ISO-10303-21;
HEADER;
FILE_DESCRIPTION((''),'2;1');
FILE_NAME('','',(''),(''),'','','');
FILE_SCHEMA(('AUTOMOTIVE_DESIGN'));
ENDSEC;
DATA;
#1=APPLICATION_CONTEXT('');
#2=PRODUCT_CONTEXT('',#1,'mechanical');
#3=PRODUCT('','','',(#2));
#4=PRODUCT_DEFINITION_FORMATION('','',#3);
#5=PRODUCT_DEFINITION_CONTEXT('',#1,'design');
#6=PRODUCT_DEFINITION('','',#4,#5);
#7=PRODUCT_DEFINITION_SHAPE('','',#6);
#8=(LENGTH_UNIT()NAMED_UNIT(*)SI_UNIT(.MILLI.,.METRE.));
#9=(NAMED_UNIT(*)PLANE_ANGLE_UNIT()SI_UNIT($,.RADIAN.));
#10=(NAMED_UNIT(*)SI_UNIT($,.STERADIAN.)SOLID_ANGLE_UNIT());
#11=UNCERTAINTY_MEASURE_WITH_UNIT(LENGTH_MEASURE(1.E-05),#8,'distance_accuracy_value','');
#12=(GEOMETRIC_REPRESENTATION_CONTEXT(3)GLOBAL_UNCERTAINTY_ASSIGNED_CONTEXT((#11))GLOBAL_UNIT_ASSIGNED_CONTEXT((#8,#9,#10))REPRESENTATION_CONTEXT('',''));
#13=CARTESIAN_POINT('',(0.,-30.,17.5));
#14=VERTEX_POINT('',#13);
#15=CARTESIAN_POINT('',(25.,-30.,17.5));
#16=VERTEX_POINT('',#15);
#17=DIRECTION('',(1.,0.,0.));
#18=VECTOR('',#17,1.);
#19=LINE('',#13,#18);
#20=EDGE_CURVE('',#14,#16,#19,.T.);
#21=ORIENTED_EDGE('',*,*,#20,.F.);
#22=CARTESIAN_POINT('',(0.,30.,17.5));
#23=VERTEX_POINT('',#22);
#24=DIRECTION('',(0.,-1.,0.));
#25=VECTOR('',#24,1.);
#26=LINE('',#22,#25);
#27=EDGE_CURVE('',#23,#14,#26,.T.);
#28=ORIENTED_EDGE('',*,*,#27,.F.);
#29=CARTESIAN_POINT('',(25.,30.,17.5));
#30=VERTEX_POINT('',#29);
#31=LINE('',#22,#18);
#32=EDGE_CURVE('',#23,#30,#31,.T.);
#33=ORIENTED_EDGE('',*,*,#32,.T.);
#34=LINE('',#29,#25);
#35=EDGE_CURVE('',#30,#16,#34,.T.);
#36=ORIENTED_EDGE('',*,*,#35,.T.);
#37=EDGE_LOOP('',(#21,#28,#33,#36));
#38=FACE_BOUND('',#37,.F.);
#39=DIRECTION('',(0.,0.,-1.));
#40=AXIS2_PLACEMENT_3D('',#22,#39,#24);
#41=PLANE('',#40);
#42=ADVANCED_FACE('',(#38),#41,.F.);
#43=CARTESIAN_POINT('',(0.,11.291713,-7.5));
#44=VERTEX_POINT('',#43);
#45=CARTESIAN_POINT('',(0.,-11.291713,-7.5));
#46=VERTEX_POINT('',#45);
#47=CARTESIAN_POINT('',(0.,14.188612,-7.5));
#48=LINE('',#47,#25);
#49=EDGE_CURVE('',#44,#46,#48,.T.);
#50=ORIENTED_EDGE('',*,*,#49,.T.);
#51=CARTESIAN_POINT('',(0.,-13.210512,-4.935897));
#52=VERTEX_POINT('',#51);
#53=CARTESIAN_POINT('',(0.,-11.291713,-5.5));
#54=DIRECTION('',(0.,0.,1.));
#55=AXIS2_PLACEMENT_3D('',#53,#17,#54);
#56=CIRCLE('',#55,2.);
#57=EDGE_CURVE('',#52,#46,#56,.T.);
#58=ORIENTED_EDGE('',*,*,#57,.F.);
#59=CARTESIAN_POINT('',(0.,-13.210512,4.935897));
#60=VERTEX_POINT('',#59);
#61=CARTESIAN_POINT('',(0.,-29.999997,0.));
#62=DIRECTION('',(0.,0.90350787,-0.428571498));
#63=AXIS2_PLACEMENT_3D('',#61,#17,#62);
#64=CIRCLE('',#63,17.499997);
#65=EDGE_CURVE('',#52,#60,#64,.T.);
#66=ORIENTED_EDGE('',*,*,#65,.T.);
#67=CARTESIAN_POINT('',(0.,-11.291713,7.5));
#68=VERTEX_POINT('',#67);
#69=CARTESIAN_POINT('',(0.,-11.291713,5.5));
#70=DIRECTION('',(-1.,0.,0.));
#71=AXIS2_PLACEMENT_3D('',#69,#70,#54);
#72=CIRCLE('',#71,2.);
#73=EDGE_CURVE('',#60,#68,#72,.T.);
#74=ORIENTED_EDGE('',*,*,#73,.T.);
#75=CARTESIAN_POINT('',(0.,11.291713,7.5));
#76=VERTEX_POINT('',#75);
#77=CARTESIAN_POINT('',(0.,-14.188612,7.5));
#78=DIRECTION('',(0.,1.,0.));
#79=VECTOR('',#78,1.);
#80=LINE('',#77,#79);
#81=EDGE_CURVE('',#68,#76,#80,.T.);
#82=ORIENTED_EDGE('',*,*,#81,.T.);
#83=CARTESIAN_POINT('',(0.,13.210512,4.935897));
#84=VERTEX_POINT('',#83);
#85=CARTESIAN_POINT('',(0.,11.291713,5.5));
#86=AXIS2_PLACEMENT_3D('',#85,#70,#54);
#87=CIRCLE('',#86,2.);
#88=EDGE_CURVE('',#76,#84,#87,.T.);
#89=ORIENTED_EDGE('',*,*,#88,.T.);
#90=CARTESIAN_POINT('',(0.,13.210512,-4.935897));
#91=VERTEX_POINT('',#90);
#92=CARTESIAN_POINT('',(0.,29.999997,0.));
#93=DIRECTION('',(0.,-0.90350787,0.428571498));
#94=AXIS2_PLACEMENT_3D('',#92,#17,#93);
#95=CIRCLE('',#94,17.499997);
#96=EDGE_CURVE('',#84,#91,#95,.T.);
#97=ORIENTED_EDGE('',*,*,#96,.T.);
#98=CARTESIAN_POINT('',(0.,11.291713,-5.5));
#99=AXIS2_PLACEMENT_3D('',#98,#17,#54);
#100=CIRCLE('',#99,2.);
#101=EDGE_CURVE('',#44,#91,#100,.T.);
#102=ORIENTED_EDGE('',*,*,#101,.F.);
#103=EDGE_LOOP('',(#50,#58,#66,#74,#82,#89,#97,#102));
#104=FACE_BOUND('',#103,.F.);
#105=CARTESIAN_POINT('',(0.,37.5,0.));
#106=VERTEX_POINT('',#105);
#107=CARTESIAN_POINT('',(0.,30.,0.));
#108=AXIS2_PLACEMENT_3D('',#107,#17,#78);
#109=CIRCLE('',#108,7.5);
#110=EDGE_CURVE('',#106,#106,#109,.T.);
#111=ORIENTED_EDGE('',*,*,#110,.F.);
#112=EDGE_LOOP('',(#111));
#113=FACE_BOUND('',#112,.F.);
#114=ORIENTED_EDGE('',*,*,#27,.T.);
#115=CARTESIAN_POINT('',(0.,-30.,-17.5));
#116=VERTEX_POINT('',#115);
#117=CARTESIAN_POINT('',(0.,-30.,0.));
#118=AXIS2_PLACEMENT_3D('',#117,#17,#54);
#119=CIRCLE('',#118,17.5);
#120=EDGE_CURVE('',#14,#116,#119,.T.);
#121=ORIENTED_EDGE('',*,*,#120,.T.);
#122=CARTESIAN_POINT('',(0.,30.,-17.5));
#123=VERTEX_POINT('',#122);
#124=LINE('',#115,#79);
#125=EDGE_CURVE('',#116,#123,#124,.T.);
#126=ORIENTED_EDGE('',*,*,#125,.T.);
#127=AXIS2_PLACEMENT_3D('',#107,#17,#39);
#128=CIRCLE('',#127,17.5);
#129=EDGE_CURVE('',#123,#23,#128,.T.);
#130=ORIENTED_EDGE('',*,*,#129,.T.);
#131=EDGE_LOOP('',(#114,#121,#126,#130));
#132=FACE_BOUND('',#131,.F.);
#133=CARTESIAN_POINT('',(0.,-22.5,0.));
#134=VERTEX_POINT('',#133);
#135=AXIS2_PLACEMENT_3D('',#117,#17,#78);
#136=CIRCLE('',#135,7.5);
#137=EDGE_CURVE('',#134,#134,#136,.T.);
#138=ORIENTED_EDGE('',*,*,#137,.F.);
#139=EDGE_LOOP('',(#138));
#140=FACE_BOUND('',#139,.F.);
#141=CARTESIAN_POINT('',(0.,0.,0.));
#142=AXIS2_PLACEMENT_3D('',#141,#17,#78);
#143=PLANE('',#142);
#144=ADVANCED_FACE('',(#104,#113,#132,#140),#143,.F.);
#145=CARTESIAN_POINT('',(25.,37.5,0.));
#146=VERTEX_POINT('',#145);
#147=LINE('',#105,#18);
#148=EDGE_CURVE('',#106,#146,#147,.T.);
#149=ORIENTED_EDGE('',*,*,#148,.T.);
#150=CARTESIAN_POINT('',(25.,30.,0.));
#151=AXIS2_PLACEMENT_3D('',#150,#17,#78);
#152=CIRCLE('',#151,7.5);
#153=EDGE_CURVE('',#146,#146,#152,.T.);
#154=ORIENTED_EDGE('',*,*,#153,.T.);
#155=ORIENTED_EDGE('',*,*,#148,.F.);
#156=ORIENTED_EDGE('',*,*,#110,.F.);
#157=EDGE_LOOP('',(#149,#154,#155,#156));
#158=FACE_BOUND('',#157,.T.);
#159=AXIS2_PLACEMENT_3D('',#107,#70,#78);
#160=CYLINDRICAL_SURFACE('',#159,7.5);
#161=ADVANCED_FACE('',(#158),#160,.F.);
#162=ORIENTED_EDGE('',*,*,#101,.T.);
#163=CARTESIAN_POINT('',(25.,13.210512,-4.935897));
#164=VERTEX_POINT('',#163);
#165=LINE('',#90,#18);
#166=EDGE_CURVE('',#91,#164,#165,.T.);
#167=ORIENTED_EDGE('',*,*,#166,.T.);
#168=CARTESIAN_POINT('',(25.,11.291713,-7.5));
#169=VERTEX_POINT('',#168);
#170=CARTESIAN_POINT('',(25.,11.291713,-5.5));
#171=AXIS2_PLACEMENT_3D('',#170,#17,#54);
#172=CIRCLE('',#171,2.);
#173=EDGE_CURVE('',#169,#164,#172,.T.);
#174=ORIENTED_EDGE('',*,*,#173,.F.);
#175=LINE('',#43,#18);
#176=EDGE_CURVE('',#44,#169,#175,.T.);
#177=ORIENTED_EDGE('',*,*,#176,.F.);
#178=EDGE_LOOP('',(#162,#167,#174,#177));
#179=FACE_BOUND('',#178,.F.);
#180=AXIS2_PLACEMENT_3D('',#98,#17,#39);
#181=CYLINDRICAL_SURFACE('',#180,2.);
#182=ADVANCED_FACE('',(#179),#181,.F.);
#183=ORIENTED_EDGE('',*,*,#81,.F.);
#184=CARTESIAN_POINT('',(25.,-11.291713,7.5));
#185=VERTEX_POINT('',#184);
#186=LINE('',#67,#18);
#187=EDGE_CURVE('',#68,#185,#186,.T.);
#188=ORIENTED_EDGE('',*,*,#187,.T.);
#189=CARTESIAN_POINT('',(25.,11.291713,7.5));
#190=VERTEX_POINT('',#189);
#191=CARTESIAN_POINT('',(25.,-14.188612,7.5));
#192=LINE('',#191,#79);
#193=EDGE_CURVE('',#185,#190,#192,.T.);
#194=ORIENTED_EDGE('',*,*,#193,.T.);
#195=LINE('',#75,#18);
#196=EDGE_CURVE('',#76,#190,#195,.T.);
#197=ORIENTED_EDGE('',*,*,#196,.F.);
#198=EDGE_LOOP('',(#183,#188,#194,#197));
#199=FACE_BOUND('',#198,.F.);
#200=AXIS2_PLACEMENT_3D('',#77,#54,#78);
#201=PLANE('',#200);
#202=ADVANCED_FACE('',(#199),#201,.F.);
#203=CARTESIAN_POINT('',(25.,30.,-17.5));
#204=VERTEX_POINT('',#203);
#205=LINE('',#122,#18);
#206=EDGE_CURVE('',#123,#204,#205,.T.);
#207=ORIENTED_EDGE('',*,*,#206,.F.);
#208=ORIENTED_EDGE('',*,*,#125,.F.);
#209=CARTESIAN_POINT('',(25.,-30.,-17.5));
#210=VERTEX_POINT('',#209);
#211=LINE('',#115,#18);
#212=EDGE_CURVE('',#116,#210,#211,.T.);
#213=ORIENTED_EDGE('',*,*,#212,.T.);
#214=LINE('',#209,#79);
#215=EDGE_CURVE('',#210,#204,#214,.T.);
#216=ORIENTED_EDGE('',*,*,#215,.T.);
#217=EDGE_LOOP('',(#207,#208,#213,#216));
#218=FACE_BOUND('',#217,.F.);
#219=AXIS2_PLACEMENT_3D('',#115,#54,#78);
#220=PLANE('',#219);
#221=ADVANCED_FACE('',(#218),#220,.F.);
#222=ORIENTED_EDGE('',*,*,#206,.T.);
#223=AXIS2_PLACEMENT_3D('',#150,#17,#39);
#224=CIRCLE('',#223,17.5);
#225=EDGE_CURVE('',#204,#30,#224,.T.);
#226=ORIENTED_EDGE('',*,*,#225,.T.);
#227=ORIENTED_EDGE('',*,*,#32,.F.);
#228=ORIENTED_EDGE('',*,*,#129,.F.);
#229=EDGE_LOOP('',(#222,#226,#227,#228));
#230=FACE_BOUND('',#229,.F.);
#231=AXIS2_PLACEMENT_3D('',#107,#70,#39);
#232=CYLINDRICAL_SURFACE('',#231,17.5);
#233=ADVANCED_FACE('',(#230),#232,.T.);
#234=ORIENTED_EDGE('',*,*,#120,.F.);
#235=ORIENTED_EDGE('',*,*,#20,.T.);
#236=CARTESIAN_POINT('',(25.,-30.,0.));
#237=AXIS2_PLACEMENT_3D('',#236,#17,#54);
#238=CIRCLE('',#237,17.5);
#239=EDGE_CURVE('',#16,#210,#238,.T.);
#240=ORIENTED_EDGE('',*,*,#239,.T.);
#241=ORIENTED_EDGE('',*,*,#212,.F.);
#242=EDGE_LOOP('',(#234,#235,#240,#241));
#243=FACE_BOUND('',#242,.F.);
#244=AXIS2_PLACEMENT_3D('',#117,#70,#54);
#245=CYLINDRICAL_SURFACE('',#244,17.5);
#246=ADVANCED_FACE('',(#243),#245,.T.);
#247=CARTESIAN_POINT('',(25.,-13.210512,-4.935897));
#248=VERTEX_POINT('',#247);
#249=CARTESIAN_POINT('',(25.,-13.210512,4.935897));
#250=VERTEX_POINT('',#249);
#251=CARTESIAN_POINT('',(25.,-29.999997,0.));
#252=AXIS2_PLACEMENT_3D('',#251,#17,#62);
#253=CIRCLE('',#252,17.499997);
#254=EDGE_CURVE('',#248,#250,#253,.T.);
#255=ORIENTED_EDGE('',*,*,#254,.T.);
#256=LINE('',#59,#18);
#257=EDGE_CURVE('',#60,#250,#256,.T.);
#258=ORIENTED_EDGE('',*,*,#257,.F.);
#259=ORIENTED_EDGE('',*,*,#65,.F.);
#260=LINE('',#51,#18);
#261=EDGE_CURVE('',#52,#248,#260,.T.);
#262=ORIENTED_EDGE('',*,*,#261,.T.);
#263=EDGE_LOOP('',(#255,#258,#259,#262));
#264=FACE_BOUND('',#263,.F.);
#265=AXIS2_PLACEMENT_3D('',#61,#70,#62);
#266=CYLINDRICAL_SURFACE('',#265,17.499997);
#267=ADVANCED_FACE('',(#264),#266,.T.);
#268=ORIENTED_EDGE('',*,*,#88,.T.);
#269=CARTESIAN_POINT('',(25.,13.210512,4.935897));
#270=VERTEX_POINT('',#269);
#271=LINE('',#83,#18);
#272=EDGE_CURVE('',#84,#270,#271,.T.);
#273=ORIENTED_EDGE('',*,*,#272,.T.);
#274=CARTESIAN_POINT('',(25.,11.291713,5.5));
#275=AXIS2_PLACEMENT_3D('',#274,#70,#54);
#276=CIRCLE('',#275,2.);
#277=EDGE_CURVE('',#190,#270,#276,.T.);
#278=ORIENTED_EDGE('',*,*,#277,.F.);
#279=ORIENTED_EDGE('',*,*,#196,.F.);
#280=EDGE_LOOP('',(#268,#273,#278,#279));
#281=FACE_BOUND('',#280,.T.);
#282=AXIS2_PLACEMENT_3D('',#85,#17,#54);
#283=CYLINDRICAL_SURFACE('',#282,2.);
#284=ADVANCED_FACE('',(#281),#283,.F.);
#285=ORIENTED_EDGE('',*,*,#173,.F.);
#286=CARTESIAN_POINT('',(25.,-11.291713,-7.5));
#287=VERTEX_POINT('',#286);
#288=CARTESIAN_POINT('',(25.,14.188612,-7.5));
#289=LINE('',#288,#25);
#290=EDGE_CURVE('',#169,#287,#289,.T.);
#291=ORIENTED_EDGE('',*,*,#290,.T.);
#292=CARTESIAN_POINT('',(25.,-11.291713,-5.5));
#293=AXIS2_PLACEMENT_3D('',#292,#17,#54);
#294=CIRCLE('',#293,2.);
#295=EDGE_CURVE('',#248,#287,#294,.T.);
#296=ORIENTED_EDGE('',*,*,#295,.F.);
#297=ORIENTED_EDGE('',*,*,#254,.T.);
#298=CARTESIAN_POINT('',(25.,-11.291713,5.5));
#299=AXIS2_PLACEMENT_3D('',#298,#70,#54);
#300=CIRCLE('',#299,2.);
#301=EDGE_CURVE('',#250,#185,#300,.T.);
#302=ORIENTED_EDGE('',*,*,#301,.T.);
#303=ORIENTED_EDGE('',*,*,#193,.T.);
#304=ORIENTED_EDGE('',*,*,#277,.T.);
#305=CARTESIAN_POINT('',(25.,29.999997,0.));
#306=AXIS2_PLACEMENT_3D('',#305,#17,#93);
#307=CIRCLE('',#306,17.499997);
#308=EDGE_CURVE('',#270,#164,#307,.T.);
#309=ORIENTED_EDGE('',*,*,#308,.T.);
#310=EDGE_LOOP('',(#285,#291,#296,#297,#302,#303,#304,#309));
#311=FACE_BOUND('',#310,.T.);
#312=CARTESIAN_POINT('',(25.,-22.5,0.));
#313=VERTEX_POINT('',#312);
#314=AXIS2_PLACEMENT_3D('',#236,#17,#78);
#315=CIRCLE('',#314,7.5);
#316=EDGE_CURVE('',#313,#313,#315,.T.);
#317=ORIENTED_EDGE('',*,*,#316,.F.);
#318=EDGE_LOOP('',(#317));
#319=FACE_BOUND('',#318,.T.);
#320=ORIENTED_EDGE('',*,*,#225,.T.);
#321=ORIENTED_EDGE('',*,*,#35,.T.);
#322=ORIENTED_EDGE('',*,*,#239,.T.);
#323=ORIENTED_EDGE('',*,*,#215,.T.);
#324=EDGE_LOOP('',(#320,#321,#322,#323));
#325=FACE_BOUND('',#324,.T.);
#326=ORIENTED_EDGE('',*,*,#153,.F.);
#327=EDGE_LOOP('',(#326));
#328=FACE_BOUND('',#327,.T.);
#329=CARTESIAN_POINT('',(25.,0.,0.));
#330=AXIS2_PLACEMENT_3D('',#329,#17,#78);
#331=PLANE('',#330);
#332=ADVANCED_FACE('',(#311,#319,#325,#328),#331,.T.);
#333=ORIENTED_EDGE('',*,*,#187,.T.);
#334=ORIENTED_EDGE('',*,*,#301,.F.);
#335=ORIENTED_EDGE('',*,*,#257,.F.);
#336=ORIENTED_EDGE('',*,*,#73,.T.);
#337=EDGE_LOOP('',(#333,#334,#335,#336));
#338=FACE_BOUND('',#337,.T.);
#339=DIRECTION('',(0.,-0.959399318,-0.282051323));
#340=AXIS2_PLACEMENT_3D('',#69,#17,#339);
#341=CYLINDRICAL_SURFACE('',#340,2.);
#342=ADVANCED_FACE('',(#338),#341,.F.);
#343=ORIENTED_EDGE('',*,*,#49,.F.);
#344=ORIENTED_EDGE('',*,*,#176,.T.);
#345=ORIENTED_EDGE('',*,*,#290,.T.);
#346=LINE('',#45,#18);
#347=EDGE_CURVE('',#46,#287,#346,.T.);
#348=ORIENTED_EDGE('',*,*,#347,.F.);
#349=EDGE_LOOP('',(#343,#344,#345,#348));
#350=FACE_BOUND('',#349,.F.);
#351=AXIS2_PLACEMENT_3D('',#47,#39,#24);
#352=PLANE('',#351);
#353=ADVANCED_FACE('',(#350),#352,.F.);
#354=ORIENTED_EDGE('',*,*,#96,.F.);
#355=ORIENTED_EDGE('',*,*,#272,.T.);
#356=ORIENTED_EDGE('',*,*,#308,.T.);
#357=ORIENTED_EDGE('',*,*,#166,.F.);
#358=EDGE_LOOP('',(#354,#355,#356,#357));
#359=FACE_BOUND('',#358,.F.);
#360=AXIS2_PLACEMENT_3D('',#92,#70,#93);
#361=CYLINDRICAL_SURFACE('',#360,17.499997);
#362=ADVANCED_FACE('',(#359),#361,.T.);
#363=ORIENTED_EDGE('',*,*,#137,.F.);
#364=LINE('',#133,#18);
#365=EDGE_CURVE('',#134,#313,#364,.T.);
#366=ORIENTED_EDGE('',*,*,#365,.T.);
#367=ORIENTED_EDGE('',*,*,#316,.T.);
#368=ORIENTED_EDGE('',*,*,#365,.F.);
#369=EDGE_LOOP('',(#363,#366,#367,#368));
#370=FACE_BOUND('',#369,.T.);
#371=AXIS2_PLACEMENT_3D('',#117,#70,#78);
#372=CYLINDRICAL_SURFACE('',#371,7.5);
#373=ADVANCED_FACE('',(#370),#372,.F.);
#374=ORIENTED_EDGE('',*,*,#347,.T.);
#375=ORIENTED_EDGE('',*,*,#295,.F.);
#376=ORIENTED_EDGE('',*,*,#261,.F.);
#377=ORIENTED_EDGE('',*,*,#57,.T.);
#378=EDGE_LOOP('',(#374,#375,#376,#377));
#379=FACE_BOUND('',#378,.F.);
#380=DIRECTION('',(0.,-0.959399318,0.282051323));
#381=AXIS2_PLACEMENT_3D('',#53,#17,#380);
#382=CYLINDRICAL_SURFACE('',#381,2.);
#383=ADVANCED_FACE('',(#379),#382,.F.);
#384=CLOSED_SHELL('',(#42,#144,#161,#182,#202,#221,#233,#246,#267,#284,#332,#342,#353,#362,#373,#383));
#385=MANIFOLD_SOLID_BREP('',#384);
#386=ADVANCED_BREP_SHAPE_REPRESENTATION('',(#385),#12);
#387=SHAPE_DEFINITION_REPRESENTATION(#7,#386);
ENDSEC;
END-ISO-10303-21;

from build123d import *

# Parameters (mm, degrees)
F0_R     = 7.5
F1_DEPTH = 25
F2_R     = 2


with BuildPart() as f1:
    # F0 (on Right) → F1 (new body)
    with BuildSketch(Plane.YZ):
        with BuildLine():
            Line((30, 17.5), (-30, 17.5))
            ThreePointArc((-30, 17.5), (-47.5, 0), (-30, -17.5))
            Line((-30, -17.5), (30, -17.5))
            ThreePointArc((30, -17.5), (47.5, 0), (30, 17.5))
        make_face()
        with Locations((-30, 0)):
            Circle(F0_R, mode=Mode.SUBTRACT)
        with BuildLine():
            Line((-14.188612, 7.5), (14.188612, 7.5))
            ThreePointArc((14.188612, 7.5), (12.5, 0), (14.188612, -7.5))
            Line((14.188612, -7.5), (-14.188612, -7.5))
            ThreePointArc((-14.188612, -7.5), (-12.5, 0), (-14.188612, 7.5))
        make_face(mode=Mode.SUBTRACT)
        with Locations((30, 0)):
            Circle(F0_R, mode=Mode.SUBTRACT)
    extrude(amount=F1_DEPTH)

    # F2
    f2_edges = [f1.edges().sort_by_distance(p)[0] for p in [
        (12.5, -14.188612, 7.5),
        (12.5, -14.188612, -7.5),
        (12.5, 14.188612, -7.5),
        (12.5, 14.188612, 7.5),
    ]]
    fillet(f2_edges, radius=F2_R)


solid = f1.part
